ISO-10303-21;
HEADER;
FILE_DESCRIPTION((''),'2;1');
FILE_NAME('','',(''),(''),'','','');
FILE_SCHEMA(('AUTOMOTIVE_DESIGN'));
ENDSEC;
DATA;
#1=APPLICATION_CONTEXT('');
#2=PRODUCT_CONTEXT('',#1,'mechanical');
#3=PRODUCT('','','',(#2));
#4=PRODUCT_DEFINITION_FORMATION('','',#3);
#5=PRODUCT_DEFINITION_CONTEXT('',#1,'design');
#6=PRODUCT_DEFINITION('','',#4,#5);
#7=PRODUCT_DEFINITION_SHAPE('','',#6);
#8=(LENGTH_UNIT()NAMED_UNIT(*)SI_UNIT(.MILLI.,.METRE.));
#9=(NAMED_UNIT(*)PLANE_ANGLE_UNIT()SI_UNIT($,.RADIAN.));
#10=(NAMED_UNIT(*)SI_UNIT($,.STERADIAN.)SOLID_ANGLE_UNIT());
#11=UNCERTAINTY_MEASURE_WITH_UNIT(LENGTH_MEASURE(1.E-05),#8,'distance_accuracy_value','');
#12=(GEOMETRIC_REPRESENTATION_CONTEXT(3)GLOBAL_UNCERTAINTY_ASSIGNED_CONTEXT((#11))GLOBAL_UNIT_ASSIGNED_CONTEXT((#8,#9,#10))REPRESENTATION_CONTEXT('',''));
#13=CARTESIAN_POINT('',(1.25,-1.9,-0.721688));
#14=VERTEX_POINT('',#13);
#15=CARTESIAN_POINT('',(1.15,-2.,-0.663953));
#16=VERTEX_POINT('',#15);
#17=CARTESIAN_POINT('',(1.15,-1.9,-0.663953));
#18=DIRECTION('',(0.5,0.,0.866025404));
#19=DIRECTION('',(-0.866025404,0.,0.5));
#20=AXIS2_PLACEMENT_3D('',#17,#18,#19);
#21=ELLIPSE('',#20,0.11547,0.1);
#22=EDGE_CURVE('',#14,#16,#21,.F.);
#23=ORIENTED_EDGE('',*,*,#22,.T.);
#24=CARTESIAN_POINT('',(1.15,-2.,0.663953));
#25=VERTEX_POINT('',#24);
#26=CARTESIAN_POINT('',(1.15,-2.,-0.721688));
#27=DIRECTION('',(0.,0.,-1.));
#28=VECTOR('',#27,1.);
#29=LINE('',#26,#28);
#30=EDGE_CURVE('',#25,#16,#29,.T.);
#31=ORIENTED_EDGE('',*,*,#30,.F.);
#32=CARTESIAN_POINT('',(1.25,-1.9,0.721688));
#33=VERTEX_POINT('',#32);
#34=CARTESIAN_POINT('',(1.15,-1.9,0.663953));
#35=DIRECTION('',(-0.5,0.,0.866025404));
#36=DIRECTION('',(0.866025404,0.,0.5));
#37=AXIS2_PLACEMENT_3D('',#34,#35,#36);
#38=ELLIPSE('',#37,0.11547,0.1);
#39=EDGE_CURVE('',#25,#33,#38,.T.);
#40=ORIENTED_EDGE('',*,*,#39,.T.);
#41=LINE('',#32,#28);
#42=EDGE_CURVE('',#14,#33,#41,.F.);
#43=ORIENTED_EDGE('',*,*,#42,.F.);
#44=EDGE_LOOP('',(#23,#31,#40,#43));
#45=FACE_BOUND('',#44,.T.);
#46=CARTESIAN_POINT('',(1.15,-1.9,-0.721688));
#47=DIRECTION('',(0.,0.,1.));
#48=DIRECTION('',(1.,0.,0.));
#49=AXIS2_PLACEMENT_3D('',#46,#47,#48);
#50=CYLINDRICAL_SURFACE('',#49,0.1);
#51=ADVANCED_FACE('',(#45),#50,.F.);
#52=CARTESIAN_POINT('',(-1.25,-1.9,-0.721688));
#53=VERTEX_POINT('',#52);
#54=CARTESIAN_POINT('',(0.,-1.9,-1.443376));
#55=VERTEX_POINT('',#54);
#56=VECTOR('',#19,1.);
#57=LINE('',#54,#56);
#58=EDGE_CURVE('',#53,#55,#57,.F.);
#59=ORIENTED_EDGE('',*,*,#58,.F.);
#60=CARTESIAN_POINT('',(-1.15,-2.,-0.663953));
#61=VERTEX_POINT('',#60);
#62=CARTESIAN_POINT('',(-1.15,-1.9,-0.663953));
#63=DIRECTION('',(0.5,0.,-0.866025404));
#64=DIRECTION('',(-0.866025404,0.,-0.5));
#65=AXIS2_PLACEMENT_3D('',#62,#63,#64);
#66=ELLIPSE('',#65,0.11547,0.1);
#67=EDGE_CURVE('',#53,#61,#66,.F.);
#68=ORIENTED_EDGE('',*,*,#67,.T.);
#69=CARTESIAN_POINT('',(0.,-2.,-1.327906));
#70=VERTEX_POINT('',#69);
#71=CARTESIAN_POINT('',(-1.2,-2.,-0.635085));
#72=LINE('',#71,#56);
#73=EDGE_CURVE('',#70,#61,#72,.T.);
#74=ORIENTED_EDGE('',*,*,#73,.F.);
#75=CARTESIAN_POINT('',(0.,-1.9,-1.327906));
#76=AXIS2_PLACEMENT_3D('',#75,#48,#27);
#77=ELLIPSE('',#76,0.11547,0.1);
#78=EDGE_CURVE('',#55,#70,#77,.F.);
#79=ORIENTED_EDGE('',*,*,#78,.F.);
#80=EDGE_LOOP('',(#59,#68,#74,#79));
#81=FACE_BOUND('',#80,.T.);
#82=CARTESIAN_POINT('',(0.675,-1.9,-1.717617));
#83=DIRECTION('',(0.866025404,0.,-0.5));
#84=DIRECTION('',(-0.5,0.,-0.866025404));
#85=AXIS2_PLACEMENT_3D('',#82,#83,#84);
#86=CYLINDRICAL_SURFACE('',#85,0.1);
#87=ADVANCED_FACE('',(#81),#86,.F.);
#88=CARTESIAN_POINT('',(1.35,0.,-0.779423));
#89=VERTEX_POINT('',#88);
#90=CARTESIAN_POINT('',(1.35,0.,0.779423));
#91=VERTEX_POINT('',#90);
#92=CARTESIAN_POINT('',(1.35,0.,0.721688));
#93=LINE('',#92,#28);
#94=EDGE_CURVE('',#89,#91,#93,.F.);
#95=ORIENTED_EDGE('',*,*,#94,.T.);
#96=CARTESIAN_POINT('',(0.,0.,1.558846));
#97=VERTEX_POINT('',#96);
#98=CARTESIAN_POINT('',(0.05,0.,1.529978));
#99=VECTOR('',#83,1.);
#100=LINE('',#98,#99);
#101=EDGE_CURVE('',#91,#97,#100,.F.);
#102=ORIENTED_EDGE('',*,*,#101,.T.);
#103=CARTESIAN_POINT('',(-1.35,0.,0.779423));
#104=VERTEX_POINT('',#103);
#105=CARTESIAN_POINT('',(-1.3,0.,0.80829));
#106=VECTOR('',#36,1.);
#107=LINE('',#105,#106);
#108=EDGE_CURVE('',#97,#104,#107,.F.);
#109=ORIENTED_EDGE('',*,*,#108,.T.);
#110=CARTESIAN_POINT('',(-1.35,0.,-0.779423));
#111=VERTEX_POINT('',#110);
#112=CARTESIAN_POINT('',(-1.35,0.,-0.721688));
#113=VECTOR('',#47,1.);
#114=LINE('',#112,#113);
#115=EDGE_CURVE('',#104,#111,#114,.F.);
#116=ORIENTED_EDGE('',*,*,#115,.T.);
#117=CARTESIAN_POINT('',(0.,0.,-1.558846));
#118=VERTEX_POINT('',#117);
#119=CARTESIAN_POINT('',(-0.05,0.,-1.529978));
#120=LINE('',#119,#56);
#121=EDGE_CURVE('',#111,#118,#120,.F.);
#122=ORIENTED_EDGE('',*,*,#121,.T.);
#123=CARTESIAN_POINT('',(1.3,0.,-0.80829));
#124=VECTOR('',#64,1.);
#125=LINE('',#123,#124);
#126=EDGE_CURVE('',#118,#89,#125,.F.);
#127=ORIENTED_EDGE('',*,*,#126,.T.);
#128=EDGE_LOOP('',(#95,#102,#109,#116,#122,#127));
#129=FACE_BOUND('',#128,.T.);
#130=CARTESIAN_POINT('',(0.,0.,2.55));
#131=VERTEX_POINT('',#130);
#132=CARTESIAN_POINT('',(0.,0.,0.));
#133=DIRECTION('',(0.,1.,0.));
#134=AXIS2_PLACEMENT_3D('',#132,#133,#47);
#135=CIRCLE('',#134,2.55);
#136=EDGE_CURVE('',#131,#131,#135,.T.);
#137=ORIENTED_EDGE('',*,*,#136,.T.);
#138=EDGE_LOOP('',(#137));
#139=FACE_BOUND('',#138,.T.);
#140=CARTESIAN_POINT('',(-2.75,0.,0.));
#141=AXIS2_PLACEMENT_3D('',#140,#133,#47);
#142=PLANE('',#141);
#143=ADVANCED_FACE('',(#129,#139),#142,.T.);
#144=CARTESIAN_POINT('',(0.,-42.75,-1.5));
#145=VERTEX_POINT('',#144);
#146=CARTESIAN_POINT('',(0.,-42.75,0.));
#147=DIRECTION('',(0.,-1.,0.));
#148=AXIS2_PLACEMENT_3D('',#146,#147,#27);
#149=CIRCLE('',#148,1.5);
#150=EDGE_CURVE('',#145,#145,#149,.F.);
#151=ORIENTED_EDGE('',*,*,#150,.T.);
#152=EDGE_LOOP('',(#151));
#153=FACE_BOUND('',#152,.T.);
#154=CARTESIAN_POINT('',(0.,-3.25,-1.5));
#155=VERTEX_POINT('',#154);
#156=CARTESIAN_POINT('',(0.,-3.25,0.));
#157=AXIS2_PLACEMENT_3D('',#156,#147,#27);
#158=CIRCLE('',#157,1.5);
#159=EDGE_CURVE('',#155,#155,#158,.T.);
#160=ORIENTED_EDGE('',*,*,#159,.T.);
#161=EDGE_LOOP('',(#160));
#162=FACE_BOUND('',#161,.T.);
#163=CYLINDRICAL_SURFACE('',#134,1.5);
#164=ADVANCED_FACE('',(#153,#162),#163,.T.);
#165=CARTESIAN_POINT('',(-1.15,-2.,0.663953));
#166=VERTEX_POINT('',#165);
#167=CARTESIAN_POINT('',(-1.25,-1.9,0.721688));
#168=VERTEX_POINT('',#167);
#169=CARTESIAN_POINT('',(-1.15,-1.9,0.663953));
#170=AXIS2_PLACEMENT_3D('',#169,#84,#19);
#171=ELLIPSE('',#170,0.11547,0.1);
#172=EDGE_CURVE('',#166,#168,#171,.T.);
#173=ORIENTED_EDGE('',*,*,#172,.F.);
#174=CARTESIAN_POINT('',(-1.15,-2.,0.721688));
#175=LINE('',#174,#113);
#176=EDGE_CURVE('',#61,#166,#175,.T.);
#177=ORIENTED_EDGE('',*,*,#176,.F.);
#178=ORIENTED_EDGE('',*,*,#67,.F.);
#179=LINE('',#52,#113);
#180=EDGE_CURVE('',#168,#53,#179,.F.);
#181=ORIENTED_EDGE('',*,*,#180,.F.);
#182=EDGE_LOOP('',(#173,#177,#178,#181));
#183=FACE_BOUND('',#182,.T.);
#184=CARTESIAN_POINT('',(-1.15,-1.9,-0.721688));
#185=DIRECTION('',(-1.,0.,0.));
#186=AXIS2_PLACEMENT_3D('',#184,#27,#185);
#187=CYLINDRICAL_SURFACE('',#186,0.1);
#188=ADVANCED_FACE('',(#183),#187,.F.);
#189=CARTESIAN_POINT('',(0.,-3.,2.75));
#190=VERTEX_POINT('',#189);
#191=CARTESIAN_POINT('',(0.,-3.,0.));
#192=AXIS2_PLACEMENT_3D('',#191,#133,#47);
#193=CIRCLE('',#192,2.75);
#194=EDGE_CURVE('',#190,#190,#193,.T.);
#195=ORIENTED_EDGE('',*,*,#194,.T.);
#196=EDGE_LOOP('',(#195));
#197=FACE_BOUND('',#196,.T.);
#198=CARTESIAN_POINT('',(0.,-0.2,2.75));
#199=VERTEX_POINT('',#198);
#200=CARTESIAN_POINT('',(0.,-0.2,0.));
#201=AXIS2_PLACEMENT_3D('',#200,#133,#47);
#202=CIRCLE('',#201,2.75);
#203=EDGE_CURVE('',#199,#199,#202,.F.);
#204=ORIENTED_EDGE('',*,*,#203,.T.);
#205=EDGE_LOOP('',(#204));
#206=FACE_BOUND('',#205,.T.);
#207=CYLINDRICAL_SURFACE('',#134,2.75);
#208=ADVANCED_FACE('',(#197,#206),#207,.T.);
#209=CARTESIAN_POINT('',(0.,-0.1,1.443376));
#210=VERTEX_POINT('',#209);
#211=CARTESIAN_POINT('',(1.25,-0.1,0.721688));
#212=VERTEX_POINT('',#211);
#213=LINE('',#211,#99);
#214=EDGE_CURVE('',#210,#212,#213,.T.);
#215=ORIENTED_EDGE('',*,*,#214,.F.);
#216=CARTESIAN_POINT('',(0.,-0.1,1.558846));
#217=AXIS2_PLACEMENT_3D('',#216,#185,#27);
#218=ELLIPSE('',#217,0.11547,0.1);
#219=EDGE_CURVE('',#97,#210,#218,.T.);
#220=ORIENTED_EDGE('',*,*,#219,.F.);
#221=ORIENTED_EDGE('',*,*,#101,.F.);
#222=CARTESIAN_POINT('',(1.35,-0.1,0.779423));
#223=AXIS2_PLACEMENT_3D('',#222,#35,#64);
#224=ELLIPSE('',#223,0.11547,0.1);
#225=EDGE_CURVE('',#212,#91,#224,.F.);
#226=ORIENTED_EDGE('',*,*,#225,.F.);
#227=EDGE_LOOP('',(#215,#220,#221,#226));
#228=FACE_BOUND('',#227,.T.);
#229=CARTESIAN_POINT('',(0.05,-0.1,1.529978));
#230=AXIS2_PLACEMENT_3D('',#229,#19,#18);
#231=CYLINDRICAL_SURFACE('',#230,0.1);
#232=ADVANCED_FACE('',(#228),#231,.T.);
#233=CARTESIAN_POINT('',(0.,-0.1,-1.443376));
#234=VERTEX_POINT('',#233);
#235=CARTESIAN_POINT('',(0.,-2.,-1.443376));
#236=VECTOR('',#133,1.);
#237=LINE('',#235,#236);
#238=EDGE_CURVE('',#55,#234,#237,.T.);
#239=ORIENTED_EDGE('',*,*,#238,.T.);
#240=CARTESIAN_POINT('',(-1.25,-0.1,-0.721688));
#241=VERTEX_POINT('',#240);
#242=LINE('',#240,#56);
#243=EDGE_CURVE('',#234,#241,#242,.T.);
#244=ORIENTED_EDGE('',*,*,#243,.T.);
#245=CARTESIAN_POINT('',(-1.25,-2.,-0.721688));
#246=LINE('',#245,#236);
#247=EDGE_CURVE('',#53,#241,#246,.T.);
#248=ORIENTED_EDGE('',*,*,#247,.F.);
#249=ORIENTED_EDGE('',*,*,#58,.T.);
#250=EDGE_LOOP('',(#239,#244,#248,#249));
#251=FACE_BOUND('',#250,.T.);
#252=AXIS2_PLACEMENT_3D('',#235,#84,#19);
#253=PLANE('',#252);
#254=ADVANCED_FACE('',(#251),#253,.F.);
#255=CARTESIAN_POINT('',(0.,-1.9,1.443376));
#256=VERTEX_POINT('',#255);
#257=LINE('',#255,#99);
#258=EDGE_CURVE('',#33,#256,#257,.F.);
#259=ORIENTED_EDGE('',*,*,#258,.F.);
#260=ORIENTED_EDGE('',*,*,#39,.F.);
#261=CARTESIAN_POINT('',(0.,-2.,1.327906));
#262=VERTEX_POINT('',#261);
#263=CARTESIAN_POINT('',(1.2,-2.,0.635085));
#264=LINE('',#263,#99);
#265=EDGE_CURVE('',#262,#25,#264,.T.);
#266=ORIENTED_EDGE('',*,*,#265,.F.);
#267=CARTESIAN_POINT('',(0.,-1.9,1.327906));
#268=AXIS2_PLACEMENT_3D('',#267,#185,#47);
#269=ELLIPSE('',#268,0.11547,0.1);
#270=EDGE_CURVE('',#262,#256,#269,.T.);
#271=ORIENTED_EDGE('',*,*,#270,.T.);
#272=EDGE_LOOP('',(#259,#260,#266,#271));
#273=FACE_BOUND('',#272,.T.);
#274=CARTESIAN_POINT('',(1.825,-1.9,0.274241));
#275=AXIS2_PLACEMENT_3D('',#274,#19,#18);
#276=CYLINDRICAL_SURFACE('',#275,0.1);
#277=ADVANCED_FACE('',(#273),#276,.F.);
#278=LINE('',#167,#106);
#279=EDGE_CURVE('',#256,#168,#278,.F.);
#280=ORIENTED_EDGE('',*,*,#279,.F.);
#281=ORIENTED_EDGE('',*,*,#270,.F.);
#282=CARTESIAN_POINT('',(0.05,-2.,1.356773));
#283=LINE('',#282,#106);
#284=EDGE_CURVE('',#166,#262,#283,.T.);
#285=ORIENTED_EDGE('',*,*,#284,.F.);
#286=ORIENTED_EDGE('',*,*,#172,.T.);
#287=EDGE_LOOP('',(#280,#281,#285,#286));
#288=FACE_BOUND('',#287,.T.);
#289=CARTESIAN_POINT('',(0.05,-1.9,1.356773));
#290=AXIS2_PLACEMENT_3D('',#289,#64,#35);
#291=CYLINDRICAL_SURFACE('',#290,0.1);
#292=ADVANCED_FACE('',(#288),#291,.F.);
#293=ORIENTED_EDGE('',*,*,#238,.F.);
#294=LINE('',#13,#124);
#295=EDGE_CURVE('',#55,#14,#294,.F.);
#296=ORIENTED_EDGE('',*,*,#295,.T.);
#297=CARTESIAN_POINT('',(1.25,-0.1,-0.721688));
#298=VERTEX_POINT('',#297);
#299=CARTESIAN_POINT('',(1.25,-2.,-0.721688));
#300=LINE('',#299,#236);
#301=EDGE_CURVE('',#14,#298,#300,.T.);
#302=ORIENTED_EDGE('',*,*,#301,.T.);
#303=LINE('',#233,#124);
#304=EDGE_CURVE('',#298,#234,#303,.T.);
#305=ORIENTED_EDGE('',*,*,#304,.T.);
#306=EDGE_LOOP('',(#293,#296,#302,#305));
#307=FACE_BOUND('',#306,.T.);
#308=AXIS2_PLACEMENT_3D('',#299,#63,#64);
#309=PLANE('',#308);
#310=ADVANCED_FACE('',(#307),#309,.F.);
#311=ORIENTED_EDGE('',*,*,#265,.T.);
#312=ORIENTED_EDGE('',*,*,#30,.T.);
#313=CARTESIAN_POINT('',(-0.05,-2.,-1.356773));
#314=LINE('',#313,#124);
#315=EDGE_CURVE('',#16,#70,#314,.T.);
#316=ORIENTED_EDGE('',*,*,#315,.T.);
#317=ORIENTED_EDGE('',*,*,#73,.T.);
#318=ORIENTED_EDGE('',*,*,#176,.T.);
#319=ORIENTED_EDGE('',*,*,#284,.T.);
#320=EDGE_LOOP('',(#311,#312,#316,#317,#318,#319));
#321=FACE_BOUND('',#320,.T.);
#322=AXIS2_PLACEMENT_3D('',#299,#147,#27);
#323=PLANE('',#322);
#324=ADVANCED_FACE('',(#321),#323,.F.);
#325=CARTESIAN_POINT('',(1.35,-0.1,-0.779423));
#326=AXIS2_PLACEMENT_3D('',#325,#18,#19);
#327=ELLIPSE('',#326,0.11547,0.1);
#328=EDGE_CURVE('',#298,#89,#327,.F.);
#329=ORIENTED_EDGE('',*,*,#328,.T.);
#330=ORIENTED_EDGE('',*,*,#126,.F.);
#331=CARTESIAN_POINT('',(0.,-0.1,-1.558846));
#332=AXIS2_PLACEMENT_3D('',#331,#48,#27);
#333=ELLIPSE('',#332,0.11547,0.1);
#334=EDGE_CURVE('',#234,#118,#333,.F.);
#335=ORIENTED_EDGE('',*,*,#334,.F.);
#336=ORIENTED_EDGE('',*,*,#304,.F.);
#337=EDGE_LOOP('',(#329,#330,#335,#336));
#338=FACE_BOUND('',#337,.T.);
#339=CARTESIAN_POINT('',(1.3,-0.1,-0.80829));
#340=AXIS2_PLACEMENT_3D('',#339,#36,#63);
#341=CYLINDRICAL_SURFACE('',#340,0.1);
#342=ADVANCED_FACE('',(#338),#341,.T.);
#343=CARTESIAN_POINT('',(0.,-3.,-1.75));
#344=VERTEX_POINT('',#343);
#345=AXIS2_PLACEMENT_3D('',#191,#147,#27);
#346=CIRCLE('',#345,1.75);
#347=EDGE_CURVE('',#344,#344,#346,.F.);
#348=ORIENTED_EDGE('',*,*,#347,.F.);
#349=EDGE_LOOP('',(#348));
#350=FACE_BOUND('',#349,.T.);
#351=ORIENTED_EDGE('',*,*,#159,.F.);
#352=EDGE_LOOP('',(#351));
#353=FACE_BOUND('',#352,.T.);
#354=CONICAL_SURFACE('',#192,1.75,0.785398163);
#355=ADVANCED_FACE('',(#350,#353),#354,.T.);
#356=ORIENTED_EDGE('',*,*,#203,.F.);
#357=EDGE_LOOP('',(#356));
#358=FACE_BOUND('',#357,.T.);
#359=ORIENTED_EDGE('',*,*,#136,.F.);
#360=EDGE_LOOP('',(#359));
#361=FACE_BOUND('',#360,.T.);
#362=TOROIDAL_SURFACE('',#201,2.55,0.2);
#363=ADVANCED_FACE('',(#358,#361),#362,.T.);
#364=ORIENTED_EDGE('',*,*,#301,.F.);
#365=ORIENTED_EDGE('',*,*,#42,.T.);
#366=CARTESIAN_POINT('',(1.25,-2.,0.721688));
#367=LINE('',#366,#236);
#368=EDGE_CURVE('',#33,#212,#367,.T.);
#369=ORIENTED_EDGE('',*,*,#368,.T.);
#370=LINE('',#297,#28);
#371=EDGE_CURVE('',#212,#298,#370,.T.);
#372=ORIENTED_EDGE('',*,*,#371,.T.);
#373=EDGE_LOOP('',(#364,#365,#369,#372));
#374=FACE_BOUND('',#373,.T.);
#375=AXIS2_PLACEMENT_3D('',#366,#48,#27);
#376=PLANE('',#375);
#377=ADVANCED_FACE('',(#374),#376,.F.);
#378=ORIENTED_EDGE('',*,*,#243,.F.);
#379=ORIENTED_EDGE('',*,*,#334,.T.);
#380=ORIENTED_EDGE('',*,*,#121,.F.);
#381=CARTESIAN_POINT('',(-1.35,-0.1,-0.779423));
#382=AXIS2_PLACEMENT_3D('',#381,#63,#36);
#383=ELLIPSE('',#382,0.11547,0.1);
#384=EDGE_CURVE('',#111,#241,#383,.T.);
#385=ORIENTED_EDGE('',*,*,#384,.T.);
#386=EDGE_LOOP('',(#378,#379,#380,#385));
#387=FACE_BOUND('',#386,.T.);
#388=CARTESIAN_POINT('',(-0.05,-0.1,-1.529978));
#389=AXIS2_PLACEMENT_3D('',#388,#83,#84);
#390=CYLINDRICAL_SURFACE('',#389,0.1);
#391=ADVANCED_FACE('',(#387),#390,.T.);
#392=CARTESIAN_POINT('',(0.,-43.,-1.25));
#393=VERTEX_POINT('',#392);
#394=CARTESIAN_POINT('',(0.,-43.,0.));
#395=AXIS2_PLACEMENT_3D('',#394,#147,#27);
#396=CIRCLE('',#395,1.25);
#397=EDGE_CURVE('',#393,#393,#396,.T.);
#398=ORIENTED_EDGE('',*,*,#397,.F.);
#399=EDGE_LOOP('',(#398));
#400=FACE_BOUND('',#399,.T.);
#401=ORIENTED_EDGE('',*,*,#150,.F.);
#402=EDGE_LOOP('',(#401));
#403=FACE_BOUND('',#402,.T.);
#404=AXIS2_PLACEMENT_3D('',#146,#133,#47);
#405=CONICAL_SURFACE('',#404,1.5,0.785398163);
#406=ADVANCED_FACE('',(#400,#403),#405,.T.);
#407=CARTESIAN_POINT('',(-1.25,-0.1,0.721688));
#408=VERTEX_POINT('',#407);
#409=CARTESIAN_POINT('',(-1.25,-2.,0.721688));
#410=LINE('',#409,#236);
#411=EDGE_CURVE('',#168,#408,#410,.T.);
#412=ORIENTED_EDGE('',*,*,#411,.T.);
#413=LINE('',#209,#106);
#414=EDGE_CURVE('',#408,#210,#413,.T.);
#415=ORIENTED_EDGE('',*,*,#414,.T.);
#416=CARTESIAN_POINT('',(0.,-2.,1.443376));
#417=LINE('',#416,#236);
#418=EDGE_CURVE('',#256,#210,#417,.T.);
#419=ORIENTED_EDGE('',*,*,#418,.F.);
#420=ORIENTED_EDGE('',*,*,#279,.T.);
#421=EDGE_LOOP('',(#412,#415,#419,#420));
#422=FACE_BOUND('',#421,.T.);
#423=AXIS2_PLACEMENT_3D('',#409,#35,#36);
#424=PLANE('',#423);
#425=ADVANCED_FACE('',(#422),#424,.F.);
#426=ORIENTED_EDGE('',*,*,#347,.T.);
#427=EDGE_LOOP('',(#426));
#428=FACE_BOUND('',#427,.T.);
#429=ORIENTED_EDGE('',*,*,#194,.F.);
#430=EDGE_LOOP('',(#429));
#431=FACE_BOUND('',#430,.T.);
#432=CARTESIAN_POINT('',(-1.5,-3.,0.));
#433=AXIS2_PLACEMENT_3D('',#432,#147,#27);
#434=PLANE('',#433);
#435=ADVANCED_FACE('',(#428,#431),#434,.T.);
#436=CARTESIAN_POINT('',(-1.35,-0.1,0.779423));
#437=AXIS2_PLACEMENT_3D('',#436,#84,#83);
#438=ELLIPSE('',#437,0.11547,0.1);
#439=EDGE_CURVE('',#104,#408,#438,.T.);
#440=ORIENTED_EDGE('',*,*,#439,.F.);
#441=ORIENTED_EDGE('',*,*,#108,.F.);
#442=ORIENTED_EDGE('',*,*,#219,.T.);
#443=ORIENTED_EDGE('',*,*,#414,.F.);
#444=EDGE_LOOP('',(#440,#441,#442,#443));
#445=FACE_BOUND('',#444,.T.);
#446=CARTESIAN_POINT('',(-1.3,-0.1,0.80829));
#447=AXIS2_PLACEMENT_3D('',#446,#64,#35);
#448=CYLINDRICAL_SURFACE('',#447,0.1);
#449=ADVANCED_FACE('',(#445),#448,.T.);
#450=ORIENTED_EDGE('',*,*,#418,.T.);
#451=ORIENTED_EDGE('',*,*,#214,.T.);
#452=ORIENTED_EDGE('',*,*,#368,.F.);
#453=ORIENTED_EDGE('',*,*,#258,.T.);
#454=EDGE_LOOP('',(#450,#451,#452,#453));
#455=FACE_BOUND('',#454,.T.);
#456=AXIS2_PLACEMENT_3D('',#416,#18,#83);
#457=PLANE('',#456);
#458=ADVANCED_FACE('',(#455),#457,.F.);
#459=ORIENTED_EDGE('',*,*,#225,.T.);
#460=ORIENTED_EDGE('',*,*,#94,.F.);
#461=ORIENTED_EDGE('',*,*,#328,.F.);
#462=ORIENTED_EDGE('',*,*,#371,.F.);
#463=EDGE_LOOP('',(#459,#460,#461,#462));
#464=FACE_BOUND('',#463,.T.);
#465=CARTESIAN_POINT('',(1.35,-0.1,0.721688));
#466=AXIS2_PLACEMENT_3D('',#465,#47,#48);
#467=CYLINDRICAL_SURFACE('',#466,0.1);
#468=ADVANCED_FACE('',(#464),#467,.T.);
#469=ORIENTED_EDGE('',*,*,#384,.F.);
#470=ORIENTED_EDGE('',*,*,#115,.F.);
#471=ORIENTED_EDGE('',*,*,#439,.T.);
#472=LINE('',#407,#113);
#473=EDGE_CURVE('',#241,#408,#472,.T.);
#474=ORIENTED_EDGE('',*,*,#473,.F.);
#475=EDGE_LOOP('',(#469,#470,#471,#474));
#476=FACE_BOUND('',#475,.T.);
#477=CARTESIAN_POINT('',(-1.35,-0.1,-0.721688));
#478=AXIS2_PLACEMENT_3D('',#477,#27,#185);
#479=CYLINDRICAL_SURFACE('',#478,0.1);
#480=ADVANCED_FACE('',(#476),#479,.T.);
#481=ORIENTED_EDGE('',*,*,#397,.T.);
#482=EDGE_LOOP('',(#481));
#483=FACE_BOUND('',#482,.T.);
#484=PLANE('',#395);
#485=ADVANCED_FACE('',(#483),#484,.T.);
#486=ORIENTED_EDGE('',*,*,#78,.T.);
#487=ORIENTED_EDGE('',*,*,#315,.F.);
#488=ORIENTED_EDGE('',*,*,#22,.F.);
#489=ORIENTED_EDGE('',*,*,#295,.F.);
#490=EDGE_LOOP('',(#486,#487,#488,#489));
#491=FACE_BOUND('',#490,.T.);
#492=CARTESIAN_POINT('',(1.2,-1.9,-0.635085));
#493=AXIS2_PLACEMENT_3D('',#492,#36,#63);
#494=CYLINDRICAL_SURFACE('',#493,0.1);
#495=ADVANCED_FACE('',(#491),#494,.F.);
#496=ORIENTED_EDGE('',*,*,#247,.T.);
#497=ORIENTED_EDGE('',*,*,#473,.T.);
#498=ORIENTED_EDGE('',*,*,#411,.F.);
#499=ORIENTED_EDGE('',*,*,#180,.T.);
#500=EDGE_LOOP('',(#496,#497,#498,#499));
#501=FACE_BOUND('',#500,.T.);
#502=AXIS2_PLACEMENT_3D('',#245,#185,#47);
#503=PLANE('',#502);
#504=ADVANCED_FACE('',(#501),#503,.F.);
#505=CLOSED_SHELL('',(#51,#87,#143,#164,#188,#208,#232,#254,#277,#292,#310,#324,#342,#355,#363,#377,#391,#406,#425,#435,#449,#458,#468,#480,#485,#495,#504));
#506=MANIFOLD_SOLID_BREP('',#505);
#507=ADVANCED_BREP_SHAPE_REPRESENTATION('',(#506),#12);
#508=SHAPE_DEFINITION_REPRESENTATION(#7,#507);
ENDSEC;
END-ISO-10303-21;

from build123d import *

# Parameters (mm, degrees)
CHAMFER1_SIZE      = 0.25
FILLET1_R          = 0.2
CUT_EXTRUDE1_DEPTH = 2
FILLET2_R          = 0.1


with BuildPart() as part:
    # Sketch1 → Revolve1 (revolve)
    with BuildSketch(Plane.XY):
        Polygon((0, -43), (-1.5, -43), (-1.5, -3), (-2.75, -3), (-2.75, 0), (0, 0), align=None)
    revolve(axis=Axis((0, 0, 0), (0, -1, 0)))

    # Chamfer1
    chamfer1_edges = [part.edges().sort_by_distance(p)[0] for p in [
        (1.5, -3, 0),
        (1.5, -43, 0),
    ]]
    chamfer(chamfer1_edges, length=CHAMFER1_SIZE)

    # Fillet1
    fillet1_edges = [part.edges().sort_by_distance(p)[0] for p in [
        (2.75, 0, 0),
    ]]
    fillet(fillet1_edges, radius=FILLET1_R)

    # Sketch2 → Cut-Extrude1 (cut)
    with BuildSketch(Plane(origin=(0, 0, 0), x_dir=(1, 0, 0), z_dir=(0, 1, 0))):
        Polygon((0, 1.443375673), (-1.25, 0.721687836), (-1.25, -0.721687836), (0, -1.443375673), (1.25, -0.721687836), (1.25, 0.721687836), align=None)
    extrude(amount=-CUT_EXTRUDE1_DEPTH, mode=Mode.SUBTRACT)

    # Fillet2
    fillet2_edges = [part.edges().sort_by_distance(p)[0] for p in [
        (0.625, -2, -1.082531755),
        (1.25, -2, 0),
        (0.625, -2, 1.082531755),
        (-0.625, -2, 1.082531755),
        (-1.25, -2, 0),
        (-0.625, -2, -1.082531755),
        (0.625, 0, -1.082531755),
        (-0.625, 0, -1.082531755),
        (-1.25, 0, 0),
        (-0.625, 0, 1.082531755),
        (0.625, 0, 1.082531755),
        (1.25, 0, 0),
    ]]
    fillet(fillet2_edges, radius=FILLET2_R)


solid = part.part
